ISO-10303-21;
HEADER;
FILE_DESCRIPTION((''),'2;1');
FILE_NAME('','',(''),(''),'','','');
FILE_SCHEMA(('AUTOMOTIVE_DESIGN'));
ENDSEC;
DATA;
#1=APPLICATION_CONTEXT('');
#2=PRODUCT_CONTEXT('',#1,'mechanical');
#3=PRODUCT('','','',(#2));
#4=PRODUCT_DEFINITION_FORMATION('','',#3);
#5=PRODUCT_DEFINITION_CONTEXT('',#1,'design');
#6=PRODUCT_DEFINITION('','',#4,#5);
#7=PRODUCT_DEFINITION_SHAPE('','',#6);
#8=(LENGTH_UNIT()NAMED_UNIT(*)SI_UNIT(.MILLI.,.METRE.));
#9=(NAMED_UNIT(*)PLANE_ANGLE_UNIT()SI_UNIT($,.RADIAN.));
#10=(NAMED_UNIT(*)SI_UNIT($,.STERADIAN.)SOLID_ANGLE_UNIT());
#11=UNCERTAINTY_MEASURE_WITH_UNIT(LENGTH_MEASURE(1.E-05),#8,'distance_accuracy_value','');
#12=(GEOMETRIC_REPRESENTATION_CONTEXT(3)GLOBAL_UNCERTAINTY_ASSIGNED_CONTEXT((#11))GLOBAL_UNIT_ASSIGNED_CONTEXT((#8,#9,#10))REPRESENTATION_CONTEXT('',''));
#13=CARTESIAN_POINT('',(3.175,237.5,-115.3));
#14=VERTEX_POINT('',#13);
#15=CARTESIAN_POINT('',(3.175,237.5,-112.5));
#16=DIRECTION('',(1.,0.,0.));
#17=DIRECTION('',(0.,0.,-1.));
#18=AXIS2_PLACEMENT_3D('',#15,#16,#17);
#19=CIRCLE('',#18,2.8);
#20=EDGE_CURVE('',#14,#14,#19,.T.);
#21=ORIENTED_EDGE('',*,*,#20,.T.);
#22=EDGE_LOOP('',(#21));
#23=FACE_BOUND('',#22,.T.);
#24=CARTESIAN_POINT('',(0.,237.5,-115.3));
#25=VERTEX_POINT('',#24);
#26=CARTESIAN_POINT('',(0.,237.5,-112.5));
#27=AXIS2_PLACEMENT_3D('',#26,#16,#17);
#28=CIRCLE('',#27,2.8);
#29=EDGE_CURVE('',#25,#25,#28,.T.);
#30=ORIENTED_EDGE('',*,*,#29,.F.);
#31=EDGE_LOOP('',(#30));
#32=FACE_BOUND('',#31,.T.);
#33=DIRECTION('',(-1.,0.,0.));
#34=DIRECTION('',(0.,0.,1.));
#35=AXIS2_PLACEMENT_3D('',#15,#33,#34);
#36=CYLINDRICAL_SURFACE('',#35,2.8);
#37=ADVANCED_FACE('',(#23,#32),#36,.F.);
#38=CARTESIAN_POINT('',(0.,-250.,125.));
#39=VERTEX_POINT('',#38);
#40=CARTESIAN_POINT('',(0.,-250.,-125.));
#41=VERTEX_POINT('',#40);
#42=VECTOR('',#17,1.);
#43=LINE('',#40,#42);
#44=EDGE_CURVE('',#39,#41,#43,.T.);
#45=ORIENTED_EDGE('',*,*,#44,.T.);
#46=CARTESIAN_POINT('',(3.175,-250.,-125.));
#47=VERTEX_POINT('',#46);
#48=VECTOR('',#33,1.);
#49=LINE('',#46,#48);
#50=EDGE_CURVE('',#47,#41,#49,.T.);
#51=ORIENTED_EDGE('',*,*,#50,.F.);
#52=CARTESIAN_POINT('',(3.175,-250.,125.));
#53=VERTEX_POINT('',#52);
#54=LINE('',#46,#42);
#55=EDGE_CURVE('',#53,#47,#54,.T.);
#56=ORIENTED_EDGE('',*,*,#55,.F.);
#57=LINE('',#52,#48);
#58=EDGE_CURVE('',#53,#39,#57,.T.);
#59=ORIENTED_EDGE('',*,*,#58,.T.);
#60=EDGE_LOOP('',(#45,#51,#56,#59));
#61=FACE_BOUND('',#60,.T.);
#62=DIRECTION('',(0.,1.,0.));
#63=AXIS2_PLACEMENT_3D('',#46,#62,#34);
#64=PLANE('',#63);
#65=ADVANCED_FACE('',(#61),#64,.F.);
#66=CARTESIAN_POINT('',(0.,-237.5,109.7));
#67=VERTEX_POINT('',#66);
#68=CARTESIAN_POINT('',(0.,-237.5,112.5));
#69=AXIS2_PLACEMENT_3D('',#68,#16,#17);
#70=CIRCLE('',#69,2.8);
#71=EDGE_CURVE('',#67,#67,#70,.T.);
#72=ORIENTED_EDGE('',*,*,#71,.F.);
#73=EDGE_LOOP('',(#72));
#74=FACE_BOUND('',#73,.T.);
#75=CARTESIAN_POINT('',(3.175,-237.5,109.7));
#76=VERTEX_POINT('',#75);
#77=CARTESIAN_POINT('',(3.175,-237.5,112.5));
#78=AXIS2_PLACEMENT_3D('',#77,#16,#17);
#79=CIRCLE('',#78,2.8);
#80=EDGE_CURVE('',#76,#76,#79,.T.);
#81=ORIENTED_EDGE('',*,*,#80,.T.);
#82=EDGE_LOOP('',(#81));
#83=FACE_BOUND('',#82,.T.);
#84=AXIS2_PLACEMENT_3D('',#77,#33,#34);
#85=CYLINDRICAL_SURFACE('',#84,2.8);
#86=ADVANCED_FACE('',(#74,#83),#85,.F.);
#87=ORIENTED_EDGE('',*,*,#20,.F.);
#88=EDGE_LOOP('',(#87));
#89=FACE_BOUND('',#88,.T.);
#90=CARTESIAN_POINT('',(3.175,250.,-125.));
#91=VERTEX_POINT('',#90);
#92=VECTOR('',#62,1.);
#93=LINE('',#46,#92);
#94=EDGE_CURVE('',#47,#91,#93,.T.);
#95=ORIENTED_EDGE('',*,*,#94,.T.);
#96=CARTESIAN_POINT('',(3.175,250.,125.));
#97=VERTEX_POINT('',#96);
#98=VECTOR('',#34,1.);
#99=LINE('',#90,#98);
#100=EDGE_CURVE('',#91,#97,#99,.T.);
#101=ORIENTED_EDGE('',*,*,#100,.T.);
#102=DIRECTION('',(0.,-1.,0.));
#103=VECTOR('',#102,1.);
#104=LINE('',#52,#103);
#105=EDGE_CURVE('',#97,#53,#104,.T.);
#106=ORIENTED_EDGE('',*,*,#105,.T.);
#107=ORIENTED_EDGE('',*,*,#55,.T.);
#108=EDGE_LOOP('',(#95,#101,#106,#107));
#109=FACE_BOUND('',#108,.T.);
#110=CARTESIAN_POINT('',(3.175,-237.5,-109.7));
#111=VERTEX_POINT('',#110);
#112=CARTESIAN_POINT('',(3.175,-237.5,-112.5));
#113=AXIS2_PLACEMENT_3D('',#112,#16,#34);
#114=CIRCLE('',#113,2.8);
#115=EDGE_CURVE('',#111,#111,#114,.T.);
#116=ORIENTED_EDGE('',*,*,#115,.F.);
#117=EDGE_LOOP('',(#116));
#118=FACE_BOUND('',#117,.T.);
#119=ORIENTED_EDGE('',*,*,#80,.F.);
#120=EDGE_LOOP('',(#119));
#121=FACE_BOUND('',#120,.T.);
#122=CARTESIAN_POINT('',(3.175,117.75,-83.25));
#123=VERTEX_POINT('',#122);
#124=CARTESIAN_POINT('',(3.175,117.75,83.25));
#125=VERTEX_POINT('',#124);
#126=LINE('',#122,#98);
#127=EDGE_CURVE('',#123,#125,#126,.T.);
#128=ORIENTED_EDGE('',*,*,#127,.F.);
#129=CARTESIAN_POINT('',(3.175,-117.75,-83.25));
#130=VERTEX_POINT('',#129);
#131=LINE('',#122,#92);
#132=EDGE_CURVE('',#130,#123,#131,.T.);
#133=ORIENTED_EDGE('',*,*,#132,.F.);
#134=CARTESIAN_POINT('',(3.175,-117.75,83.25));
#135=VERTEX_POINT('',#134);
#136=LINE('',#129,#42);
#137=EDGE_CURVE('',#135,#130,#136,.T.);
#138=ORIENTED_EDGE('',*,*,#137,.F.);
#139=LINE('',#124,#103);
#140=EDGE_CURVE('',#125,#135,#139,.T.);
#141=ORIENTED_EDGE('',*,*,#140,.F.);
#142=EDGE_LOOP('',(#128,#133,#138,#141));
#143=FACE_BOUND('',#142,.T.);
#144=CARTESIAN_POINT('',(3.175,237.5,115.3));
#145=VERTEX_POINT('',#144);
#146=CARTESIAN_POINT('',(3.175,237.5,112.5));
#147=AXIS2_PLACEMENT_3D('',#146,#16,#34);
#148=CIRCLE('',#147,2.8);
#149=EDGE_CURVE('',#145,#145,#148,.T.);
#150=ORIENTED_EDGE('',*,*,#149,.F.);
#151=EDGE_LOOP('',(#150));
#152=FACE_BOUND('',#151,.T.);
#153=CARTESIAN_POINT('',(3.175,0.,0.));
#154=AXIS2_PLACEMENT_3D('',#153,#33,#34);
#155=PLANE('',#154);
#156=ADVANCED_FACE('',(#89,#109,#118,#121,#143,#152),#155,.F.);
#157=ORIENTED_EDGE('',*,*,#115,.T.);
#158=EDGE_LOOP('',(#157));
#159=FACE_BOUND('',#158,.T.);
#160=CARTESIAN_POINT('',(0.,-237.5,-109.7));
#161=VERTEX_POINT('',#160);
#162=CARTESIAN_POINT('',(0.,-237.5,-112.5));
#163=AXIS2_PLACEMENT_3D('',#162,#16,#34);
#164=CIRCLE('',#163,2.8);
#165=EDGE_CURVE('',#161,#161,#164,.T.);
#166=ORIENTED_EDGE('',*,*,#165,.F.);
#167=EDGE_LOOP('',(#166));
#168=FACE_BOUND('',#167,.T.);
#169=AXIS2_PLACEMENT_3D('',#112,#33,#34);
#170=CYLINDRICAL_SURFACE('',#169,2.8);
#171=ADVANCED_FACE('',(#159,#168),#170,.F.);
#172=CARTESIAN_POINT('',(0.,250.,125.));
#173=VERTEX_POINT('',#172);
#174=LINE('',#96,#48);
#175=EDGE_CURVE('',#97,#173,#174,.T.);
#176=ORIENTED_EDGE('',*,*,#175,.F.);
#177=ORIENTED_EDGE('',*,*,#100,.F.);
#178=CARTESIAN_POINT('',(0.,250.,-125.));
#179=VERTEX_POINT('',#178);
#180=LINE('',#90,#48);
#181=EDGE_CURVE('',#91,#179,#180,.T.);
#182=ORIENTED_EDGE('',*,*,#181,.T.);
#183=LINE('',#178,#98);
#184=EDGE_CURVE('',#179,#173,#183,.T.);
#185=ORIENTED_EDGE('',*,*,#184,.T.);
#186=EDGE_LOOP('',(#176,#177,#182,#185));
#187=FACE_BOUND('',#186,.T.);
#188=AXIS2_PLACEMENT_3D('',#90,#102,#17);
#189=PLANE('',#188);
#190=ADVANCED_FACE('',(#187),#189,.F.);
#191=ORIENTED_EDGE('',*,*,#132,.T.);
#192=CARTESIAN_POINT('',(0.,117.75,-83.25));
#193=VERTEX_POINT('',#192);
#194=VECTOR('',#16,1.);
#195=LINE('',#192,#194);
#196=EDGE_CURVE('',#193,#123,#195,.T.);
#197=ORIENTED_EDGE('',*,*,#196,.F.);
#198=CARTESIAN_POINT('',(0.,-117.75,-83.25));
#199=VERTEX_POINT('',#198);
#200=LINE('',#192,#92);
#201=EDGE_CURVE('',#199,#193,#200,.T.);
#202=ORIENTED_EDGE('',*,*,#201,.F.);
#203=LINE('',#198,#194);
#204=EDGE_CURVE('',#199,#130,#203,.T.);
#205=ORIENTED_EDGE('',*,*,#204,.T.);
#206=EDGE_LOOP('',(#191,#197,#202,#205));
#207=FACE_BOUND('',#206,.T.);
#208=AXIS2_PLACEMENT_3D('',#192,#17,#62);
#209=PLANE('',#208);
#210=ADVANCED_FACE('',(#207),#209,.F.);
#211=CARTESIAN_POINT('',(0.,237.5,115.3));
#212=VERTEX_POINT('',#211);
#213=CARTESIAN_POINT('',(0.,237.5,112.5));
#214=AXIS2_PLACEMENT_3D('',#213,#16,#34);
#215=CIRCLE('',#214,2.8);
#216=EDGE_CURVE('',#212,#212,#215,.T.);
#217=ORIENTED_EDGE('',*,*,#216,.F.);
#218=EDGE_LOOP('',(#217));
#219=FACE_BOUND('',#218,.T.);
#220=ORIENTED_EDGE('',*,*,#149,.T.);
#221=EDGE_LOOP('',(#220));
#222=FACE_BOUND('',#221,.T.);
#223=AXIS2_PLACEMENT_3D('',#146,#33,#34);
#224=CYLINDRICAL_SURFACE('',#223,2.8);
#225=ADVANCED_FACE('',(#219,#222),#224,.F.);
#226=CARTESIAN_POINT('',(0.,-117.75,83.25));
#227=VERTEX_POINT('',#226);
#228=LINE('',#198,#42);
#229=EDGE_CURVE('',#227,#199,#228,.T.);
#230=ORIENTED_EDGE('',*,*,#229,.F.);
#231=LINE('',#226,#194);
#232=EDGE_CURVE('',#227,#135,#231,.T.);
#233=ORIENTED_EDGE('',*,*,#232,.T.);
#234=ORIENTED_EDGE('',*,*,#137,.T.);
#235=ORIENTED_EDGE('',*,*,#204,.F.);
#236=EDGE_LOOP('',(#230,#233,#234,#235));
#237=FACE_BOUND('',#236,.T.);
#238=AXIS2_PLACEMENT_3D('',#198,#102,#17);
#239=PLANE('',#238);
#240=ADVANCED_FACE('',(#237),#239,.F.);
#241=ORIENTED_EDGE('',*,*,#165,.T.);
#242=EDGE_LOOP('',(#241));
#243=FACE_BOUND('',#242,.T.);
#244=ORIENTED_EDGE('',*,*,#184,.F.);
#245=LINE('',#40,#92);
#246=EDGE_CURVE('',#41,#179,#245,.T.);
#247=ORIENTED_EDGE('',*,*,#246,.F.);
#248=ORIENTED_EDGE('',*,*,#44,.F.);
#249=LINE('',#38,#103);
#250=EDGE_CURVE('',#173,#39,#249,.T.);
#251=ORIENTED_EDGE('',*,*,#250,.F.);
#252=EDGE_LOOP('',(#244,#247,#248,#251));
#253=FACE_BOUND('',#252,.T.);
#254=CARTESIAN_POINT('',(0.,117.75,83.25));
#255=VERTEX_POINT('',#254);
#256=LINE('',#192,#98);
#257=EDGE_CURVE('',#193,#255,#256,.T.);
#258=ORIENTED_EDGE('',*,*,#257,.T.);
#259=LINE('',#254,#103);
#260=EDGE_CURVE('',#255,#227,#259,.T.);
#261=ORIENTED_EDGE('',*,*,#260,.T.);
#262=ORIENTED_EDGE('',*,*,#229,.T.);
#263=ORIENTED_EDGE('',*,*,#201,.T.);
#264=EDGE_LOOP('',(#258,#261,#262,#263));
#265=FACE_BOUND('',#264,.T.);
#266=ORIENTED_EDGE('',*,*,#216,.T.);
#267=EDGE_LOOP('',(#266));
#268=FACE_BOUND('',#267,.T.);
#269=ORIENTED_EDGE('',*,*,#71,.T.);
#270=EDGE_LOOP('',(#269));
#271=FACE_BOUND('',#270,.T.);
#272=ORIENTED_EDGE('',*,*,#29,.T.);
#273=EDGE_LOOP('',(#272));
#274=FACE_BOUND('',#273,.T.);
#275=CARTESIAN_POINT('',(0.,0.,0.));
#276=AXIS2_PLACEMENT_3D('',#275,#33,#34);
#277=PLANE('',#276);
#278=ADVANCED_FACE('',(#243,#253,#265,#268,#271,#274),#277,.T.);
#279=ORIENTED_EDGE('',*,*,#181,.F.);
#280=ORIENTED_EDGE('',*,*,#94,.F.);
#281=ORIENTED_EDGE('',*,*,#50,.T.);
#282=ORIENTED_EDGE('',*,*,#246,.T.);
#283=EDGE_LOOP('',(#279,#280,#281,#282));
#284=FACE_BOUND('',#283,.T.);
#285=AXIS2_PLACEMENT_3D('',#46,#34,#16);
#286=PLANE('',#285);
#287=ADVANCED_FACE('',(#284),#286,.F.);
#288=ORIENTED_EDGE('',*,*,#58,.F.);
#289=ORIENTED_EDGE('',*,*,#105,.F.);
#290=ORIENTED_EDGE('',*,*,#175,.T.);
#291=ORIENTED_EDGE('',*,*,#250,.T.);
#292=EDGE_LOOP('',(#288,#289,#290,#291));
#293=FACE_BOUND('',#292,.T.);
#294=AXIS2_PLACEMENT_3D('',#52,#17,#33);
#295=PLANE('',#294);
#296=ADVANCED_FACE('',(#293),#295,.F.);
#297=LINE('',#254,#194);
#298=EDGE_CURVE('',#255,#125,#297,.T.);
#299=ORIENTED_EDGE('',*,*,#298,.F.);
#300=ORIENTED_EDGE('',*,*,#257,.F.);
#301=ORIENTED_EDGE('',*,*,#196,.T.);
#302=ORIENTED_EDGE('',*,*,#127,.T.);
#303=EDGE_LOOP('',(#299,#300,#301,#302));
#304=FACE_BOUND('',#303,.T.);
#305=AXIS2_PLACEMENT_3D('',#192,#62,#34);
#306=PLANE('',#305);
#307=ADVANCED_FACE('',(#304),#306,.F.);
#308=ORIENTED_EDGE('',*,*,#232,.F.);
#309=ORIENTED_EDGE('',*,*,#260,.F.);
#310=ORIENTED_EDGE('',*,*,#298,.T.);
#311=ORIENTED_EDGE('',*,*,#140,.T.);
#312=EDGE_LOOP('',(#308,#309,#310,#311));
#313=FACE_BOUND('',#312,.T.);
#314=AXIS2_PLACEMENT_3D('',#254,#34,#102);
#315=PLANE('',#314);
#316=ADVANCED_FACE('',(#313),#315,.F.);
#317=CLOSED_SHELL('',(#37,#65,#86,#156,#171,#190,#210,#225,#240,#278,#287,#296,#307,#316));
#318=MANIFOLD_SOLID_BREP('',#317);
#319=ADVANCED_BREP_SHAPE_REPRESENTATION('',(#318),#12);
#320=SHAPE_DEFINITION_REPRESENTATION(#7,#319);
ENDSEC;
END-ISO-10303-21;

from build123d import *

# Parameters (mm, degrees)
SKETCH1_W           = 500
SKETCH1_H           = 250
SKETCH1_R           = 2.8
BOSS_EXTRUDE1_DEPTH = 3.175
SKETCH2_W           = 235.5
SKETCH2_H           = 166.5
CUT_EXTRUDE1_DEPTH  = 280.526529376


with BuildPart() as part:
    # Sketch1 → Boss-Extrude1 (new body)
    with BuildSketch(Plane.YZ):
        Rectangle(SKETCH1_W, SKETCH1_H)
        with Locations(Location((-237.5, 112.5, 0), (0, 0, 270))):
            Circle(SKETCH1_R, mode=Mode.SUBTRACT)
        with Locations(Location((237.5, 112.5, 0), (0, 0, 90))):
            Circle(SKETCH1_R, mode=Mode.SUBTRACT)
        with Locations(Location((237.5, -112.5, 0), (0, 0, 270))):
            Circle(SKETCH1_R, mode=Mode.SUBTRACT)
        with Locations(Location((-237.5, -112.5, 0), (0, 0, 90))):
            Circle(SKETCH1_R, mode=Mode.SUBTRACT)
    extrude(amount=BOSS_EXTRUDE1_DEPTH)

    # Sketch2 → Cut-Extrude1 (cut, through all)
    with BuildSketch(Plane.YZ.offset(3.175)):
        Rectangle(SKETCH2_W, SKETCH2_H)
    extrude(amount=-CUT_EXTRUDE1_DEPTH, mode=Mode.SUBTRACT)


solid = part.part
